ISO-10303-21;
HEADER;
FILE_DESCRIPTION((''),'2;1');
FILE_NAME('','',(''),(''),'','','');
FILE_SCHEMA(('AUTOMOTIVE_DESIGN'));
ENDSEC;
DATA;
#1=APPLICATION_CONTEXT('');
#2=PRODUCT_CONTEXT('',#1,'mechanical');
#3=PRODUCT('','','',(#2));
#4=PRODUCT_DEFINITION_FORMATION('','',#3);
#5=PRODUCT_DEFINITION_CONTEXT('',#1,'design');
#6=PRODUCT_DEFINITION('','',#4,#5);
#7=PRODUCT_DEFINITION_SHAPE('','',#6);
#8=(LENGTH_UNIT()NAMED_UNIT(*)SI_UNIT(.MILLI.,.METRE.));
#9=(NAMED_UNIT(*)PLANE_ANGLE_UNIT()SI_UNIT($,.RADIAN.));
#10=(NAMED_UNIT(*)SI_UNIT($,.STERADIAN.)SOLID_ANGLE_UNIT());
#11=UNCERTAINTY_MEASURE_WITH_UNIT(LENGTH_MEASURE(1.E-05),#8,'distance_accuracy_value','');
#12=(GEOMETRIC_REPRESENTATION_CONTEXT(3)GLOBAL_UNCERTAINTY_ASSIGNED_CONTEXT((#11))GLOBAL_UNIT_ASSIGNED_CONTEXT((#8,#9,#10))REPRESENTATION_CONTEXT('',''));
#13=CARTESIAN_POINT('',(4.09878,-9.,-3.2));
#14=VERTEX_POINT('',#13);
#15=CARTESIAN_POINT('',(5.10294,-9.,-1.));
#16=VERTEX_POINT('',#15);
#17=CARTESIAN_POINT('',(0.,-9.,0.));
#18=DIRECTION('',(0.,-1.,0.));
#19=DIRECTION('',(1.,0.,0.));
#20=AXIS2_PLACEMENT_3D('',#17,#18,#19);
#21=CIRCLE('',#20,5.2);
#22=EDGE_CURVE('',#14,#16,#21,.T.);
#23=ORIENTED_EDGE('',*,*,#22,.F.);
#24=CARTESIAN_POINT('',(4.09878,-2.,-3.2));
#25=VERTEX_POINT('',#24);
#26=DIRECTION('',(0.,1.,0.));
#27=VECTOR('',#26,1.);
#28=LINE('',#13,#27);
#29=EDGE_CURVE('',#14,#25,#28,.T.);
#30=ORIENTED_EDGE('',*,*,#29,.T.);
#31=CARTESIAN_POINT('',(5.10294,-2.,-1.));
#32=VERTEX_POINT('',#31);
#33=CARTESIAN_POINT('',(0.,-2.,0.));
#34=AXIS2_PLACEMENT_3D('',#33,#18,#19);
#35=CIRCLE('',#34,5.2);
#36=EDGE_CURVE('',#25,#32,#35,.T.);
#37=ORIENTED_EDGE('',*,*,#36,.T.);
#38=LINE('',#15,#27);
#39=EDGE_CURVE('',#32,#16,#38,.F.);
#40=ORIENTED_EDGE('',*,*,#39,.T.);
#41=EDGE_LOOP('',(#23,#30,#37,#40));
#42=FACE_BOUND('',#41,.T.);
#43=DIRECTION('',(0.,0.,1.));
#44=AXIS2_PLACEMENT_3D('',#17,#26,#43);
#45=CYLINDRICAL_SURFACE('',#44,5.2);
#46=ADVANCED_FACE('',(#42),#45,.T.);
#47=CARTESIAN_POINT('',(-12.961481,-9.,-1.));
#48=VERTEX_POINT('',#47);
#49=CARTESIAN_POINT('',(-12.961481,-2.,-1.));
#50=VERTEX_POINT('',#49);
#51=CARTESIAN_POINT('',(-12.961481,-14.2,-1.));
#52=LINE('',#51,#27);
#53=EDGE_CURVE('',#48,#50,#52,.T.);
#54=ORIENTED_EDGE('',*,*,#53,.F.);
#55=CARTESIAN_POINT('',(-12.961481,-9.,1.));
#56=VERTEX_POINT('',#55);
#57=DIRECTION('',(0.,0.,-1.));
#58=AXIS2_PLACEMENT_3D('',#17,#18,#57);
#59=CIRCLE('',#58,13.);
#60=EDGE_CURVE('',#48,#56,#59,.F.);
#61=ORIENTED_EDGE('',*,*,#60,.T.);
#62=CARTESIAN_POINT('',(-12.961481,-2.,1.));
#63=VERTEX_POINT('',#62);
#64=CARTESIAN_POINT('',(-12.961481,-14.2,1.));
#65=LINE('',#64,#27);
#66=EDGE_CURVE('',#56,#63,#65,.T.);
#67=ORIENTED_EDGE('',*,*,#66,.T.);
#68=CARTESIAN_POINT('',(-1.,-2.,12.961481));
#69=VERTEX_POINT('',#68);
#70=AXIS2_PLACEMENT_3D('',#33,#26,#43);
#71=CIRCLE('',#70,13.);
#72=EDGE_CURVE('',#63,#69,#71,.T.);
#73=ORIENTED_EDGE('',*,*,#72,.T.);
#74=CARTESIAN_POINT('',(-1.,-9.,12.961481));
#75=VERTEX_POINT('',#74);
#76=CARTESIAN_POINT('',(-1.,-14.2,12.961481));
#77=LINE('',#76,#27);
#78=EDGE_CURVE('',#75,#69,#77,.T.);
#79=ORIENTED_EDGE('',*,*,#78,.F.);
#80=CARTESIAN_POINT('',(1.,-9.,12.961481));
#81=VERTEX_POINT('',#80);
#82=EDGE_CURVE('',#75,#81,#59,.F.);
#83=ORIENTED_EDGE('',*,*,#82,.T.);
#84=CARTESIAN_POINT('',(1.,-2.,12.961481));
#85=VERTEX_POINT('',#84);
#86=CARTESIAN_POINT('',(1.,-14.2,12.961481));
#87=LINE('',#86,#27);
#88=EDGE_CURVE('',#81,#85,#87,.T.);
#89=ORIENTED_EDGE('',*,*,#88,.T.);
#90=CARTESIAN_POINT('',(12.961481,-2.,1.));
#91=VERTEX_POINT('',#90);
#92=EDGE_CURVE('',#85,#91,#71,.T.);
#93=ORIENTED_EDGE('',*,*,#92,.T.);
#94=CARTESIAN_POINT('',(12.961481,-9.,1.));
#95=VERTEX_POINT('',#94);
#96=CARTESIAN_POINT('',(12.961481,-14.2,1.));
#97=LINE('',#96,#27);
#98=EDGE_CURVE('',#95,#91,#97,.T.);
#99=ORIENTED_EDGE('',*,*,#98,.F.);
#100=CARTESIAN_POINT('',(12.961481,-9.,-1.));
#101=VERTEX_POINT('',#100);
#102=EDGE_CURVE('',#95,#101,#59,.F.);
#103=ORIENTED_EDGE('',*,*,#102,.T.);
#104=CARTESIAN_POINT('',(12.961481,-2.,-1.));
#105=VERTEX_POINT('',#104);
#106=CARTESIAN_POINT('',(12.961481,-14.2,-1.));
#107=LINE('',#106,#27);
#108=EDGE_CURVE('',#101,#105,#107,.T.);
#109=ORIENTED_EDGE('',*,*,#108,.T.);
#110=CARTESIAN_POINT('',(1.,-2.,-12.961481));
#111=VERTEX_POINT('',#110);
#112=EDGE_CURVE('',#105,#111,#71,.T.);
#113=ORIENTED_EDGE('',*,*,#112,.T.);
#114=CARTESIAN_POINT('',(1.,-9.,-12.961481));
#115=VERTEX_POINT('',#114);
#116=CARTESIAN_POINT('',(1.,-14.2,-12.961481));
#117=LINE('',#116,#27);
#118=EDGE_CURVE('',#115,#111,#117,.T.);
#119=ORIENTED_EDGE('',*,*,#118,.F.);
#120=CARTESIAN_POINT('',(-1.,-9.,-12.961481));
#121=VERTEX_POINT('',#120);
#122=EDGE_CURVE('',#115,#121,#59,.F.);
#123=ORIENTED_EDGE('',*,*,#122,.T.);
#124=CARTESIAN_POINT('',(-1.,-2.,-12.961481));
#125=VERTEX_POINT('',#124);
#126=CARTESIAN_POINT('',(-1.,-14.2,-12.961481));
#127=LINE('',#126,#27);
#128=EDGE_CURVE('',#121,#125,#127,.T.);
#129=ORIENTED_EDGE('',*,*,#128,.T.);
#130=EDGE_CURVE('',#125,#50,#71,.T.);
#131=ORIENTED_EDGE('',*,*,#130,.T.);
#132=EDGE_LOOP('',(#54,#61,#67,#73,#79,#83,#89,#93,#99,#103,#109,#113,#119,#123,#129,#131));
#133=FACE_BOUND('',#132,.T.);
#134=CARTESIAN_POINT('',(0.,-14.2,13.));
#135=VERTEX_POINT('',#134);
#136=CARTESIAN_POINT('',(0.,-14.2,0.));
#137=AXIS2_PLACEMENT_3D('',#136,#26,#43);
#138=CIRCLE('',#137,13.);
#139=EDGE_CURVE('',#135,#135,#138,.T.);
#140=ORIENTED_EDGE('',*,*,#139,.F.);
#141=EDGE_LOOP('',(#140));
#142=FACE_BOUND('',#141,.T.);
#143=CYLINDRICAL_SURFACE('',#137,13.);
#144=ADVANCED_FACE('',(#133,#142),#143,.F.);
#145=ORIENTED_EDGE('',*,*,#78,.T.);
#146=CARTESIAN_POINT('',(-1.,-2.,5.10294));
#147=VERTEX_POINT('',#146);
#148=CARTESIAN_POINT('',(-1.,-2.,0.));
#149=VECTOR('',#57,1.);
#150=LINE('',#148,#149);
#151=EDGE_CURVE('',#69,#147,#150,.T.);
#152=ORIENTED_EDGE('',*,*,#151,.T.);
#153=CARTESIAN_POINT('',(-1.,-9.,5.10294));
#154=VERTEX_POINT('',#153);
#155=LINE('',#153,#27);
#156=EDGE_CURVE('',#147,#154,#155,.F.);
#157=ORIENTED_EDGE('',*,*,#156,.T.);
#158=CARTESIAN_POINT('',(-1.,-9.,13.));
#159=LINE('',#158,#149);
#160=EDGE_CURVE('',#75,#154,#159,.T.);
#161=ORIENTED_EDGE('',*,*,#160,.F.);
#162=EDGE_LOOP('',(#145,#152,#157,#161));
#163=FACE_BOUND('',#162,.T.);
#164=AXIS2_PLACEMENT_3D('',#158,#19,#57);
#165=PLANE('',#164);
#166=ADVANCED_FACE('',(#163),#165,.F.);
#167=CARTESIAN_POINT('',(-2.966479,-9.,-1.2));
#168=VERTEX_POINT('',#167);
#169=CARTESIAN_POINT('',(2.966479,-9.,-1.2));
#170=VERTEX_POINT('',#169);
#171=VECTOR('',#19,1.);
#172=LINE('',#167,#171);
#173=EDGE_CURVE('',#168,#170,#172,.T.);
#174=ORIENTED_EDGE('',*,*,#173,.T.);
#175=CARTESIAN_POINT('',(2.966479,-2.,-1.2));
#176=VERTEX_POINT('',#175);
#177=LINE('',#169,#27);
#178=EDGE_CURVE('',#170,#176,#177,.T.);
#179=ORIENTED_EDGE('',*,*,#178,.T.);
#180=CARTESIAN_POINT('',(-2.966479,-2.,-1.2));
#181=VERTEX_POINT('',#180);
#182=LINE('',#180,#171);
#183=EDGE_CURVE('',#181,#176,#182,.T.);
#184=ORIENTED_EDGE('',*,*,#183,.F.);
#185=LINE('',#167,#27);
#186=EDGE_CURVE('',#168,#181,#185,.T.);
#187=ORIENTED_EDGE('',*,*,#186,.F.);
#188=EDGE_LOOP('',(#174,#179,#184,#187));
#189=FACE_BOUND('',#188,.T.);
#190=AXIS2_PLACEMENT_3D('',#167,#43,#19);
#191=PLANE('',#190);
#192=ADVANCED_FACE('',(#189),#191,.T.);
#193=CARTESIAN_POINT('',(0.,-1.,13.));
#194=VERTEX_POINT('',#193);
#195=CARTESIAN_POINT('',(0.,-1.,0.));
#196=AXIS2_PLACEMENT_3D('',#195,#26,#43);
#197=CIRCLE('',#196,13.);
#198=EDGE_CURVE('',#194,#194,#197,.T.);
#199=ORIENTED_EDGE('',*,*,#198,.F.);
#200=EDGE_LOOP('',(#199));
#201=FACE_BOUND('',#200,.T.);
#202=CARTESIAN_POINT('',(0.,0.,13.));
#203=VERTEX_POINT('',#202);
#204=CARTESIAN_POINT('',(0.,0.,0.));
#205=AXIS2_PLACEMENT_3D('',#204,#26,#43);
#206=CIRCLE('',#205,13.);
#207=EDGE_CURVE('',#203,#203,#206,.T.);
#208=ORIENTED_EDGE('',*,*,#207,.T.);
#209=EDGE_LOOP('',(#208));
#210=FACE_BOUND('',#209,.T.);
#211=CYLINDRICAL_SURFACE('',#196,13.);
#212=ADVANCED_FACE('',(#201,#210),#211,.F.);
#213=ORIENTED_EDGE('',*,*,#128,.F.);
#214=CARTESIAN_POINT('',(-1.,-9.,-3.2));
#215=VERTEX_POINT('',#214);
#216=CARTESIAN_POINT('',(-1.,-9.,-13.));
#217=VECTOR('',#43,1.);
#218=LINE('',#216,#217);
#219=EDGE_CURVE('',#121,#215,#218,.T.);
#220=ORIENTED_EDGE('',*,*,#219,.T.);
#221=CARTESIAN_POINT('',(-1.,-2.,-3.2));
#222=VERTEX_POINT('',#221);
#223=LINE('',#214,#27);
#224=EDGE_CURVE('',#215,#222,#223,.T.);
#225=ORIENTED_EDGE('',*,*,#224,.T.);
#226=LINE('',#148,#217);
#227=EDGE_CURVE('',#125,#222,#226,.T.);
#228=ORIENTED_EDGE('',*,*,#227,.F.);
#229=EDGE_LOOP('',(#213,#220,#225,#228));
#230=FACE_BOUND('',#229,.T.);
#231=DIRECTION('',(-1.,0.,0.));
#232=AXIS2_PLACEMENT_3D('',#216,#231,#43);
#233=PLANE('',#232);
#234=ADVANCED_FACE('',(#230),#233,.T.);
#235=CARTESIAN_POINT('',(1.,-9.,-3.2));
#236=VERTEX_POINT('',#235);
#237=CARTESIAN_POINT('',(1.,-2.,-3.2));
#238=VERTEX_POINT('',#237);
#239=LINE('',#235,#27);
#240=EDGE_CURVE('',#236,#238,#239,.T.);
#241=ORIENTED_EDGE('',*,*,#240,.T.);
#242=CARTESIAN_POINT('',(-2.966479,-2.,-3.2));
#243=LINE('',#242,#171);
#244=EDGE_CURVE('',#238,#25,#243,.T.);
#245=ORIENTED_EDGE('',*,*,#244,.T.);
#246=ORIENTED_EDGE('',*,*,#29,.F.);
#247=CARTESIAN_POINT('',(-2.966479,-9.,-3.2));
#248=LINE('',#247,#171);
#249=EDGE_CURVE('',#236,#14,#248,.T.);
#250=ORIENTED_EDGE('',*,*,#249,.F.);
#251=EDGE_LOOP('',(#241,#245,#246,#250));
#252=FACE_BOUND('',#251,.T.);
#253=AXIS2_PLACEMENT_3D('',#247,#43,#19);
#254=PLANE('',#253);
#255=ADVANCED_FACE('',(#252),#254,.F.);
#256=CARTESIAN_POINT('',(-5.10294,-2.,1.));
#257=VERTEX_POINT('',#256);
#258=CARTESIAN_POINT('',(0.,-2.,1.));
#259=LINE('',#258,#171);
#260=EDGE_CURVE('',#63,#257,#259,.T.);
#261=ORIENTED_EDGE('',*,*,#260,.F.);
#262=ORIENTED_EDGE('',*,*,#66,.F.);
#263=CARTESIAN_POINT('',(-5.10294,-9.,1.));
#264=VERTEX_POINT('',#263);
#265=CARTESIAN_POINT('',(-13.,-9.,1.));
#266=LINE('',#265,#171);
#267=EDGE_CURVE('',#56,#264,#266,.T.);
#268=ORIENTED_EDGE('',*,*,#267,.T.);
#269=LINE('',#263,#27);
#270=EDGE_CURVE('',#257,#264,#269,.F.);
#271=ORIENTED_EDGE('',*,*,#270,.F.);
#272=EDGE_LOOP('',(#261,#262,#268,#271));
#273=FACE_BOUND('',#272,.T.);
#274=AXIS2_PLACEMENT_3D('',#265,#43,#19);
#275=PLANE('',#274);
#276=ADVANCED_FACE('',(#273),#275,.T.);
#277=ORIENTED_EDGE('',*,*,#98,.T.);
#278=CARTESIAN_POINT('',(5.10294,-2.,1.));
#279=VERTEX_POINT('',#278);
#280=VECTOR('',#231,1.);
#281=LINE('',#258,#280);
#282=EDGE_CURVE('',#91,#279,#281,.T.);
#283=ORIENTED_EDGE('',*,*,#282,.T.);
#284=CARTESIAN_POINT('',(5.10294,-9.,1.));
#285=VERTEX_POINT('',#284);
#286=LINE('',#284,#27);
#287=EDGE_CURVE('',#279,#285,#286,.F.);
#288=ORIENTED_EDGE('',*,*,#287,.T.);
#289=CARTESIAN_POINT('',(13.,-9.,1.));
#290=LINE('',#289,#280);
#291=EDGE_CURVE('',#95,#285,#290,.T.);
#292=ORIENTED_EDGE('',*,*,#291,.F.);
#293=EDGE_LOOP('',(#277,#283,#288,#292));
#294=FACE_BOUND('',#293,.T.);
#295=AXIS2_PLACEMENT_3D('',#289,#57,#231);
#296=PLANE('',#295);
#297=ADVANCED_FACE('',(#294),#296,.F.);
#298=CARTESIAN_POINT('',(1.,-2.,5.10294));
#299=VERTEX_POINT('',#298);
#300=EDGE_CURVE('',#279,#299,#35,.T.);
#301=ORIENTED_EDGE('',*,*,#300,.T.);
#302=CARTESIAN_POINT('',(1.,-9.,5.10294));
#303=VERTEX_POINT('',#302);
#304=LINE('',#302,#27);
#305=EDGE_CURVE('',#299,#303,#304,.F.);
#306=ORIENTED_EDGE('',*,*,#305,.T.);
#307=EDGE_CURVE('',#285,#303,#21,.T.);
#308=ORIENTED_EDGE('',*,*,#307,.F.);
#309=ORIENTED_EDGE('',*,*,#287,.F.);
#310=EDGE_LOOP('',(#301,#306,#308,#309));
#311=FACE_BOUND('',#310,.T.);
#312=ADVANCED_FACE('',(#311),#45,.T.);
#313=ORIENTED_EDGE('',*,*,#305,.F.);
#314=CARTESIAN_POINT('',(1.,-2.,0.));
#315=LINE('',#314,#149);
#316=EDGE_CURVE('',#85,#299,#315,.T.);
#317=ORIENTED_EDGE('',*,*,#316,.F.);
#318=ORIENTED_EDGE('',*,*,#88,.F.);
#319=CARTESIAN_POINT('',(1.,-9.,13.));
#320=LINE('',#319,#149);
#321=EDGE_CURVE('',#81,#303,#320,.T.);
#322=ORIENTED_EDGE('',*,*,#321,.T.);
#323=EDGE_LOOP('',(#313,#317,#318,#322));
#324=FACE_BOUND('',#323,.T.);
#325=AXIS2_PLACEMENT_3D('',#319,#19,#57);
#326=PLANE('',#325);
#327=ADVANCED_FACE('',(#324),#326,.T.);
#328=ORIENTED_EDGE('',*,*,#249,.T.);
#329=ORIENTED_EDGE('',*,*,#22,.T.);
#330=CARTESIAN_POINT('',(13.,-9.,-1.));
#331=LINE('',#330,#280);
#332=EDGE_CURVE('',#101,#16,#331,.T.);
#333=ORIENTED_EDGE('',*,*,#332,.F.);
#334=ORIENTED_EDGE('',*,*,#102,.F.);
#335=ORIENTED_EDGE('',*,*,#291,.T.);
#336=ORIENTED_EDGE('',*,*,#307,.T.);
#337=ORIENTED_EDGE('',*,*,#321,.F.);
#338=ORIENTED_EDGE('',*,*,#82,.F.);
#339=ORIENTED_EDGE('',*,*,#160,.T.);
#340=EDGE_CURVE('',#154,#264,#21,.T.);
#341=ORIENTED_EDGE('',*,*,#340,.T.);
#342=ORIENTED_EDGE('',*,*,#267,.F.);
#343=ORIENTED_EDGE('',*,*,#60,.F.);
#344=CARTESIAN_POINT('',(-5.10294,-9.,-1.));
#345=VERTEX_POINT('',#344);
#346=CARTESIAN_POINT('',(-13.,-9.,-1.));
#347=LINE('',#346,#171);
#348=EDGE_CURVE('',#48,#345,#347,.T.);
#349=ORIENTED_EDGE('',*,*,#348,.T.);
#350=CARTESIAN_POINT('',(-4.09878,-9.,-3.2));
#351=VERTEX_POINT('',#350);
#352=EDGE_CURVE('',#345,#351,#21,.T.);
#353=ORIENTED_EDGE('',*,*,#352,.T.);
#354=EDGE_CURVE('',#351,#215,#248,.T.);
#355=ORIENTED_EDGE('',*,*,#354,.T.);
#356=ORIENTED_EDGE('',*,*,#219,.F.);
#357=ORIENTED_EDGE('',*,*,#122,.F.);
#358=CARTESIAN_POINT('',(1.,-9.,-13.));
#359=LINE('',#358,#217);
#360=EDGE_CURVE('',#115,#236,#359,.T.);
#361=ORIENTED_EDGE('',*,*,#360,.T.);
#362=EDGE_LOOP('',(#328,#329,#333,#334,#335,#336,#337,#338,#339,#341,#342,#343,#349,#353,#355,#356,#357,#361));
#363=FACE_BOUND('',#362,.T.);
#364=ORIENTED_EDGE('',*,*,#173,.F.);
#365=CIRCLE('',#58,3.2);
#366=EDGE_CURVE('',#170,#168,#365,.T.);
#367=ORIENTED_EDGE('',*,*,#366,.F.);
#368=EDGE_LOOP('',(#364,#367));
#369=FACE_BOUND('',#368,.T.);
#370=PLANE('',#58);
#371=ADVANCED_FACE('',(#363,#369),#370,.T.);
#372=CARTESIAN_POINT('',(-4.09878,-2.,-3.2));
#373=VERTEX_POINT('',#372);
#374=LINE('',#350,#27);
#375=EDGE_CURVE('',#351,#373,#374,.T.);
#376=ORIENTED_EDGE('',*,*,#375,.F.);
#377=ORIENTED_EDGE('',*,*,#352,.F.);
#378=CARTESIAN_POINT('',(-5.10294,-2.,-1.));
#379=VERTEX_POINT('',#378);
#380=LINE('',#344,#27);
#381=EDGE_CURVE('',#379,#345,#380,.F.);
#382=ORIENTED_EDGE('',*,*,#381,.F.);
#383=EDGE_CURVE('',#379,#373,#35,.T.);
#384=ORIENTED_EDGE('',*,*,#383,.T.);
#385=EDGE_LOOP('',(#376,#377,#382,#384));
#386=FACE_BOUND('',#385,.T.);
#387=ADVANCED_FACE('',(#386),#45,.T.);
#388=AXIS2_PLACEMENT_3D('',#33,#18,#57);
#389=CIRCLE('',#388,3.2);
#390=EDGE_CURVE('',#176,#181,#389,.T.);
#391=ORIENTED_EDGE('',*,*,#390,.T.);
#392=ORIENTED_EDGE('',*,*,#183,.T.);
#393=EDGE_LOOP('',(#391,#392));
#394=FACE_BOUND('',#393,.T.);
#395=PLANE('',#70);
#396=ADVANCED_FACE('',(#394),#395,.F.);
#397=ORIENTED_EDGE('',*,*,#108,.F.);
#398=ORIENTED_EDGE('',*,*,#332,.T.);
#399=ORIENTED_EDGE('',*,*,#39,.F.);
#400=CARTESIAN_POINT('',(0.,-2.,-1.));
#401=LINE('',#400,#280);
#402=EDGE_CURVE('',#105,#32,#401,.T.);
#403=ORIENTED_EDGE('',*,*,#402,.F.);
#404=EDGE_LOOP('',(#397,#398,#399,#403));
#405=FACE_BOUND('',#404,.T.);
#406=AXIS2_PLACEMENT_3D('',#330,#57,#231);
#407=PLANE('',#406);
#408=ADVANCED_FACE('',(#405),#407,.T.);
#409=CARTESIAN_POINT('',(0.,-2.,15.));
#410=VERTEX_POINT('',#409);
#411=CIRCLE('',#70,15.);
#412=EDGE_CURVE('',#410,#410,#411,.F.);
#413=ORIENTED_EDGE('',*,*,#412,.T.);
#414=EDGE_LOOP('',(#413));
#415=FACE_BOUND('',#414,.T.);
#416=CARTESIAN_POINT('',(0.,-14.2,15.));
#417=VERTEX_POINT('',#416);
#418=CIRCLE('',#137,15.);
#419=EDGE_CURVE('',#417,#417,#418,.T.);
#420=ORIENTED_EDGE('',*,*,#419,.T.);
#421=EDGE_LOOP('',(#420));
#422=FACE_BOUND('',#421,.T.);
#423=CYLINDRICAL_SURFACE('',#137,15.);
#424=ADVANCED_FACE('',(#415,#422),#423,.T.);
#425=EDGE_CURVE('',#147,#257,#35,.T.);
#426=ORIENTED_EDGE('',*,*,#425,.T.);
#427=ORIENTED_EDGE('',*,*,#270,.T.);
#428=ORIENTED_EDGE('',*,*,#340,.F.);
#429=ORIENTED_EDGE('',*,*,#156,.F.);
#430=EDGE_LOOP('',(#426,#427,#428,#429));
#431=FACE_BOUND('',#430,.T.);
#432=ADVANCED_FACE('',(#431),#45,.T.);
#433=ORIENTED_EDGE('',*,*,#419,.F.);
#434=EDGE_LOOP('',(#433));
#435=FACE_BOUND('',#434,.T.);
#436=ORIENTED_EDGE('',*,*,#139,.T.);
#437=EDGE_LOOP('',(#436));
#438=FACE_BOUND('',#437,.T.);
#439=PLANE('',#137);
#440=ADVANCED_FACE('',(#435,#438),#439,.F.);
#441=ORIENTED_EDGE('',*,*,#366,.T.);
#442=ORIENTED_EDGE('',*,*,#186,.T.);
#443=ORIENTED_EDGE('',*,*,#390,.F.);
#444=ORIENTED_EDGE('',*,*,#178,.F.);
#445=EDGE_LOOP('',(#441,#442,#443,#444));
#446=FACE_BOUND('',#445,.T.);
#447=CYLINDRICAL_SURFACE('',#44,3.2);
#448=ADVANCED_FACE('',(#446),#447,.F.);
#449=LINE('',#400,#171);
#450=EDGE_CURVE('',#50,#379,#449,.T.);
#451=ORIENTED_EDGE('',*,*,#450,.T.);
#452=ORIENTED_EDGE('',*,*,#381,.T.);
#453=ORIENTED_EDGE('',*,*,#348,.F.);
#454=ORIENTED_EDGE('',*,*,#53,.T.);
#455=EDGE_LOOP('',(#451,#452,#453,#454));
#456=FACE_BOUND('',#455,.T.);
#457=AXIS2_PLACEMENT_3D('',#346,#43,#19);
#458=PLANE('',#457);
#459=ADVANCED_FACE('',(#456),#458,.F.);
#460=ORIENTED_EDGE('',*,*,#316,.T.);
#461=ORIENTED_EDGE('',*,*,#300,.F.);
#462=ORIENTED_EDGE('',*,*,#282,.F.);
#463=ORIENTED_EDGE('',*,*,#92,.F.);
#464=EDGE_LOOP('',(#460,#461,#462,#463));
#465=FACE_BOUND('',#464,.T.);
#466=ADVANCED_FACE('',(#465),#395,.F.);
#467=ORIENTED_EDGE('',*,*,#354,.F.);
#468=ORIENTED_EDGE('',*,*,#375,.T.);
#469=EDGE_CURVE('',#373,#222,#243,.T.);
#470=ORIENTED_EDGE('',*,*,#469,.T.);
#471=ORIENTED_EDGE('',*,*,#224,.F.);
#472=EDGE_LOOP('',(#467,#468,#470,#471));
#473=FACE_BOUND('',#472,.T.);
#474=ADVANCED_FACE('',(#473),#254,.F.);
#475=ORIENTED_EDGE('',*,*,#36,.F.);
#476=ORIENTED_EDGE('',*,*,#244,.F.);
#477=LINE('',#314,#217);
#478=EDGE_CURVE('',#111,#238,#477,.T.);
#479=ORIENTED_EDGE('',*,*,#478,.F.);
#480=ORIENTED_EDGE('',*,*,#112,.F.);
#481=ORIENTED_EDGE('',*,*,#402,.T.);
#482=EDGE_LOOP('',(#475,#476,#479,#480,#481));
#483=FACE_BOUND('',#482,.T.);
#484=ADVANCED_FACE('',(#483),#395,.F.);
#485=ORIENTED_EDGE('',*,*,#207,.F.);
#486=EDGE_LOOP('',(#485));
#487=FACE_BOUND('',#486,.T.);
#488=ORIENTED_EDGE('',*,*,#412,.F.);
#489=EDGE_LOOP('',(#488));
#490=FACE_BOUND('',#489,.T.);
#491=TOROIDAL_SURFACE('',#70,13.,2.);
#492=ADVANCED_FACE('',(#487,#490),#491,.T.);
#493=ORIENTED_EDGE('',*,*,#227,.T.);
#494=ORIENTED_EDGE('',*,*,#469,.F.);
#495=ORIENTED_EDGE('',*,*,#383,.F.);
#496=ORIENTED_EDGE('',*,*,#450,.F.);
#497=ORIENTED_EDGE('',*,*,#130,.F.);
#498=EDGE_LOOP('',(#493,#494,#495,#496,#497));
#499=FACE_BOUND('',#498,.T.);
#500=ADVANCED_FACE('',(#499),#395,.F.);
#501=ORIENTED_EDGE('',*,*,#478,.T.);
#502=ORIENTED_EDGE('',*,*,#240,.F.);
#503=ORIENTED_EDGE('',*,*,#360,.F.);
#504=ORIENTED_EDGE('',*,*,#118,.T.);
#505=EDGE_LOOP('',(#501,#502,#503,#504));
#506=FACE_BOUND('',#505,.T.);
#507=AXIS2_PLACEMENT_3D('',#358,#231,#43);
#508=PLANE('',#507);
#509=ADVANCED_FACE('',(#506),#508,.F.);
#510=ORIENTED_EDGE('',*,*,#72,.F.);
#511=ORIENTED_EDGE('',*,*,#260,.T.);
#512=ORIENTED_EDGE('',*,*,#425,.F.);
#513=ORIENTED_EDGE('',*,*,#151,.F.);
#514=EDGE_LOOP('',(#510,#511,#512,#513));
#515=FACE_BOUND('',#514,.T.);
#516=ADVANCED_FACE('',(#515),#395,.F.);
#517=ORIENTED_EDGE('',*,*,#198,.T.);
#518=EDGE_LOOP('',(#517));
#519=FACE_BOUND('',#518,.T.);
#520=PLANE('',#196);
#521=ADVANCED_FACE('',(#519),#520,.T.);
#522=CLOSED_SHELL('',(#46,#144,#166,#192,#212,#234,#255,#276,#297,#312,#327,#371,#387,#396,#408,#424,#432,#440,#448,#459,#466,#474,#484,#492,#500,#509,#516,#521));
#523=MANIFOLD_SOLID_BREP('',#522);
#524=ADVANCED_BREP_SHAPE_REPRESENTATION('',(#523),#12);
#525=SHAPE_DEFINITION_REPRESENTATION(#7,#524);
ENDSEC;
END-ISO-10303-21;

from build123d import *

# Parameters (mm, degrees)
SKETCH1_R           = 15
BOSS_EXTRUDE1_DEPTH = 14.2
SHELL1_T            = -2
EXTRUDE_THIN2_DEPTH = 7
RIB1_REACH          = 25.043
SKETCH3_WALLS_W     = 2
SKETCH3_WALLS_H     = 57.886874488
CIRPATTERN1_COUNT   = 4
FILLET1_R           = 2
SKETCH4_R           = 13
CUT_EXTRUDE1_DEPTH  = 1


with BuildPart() as part:
    # Sketch1 → Boss-Extrude1 (new body)
    with BuildSketch(Plane(origin=(0, 0, 0), x_dir=(1, 0, 0), z_dir=(0, 1, 0))):
        with Locations(Location((0, 0, 0), (0, 0, 270))):
            Circle(SKETCH1_R)
    extrude(amount=-BOSS_EXTRUDE1_DEPTH)

    # Shell1
    shell1_openings = [part.faces().sort_by_distance(p)[0] for p in [
        (0, -14.2, 0),
    ]]
    offset(amount=SHELL1_T, openings=shell1_openings, kind=Kind.INTERSECTION)

    # Sketch2 → Extrude-Thin2 (add)
    with BuildSketch(Plane.XZ.offset(2)):
        with BuildLine():
            Line((-4.098780306, -3.2), (4.098780306, -3.2))
            ThreePointArc((4.098780306, -3.2), (0, 5.2), (-4.098780306, -3.2))
        make_face()
        with BuildLine():
            Line((-2.966479395, -1.2), (2.966479395, -1.2))
            ThreePointArc((2.966479395, -1.2), (0, 3.2), (-2.966479395, -1.2))
        make_face(mode=Mode.SUBTRACT)
    extrude(amount=EXTRUDE_THIN2_DEPTH)

    # Sketch3 walls → Rib1 (add, up to next)
    with BuildSketch(Plane.XZ.offset(9), mode=Mode.PRIVATE) as rib1_sk1:
        with Locations((0, -8.1)):
            Rectangle(SKETCH3_WALLS_W, SKETCH3_WALLS_H)
    rib1_tool1 = extrude(rib1_sk1.sketch, amount=-RIB1_REACH, mode=Mode.PRIVATE) - part.part
    rib1 = rib1_tool1.solids().sort_by_distance((0, -9, -8.1))[0]
    add(rib1)

    # CirPattern1: Rib1 ×4 about axis
    cirpattern1_axis = Axis((0, 0, 0), (0, 1, 0))
    for i in range(1, CIRPATTERN1_COUNT):
        add(rib1.rotate(cirpattern1_axis, i * 360 / CIRPATTERN1_COUNT))

    # Fillet1
    fillet1_edges = [part.edges().sort_by_distance(p)[0] for p in [
        (0, 0, -15),
    ]]
    fillet(fillet1_edges, radius=FILLET1_R)

    # Sketch4 → Cut-Extrude1 (cut)
    with BuildSketch(Plane(origin=(0, 0, 0), x_dir=(1, 0, 0), z_dir=(0, 1, 0))):
        with Locations(Location((0, 0, 0), (0, 0, 270))):
            Circle(SKETCH4_R)
    extrude(amount=-CUT_EXTRUDE1_DEPTH, mode=Mode.SUBTRACT)


solid = part.part
